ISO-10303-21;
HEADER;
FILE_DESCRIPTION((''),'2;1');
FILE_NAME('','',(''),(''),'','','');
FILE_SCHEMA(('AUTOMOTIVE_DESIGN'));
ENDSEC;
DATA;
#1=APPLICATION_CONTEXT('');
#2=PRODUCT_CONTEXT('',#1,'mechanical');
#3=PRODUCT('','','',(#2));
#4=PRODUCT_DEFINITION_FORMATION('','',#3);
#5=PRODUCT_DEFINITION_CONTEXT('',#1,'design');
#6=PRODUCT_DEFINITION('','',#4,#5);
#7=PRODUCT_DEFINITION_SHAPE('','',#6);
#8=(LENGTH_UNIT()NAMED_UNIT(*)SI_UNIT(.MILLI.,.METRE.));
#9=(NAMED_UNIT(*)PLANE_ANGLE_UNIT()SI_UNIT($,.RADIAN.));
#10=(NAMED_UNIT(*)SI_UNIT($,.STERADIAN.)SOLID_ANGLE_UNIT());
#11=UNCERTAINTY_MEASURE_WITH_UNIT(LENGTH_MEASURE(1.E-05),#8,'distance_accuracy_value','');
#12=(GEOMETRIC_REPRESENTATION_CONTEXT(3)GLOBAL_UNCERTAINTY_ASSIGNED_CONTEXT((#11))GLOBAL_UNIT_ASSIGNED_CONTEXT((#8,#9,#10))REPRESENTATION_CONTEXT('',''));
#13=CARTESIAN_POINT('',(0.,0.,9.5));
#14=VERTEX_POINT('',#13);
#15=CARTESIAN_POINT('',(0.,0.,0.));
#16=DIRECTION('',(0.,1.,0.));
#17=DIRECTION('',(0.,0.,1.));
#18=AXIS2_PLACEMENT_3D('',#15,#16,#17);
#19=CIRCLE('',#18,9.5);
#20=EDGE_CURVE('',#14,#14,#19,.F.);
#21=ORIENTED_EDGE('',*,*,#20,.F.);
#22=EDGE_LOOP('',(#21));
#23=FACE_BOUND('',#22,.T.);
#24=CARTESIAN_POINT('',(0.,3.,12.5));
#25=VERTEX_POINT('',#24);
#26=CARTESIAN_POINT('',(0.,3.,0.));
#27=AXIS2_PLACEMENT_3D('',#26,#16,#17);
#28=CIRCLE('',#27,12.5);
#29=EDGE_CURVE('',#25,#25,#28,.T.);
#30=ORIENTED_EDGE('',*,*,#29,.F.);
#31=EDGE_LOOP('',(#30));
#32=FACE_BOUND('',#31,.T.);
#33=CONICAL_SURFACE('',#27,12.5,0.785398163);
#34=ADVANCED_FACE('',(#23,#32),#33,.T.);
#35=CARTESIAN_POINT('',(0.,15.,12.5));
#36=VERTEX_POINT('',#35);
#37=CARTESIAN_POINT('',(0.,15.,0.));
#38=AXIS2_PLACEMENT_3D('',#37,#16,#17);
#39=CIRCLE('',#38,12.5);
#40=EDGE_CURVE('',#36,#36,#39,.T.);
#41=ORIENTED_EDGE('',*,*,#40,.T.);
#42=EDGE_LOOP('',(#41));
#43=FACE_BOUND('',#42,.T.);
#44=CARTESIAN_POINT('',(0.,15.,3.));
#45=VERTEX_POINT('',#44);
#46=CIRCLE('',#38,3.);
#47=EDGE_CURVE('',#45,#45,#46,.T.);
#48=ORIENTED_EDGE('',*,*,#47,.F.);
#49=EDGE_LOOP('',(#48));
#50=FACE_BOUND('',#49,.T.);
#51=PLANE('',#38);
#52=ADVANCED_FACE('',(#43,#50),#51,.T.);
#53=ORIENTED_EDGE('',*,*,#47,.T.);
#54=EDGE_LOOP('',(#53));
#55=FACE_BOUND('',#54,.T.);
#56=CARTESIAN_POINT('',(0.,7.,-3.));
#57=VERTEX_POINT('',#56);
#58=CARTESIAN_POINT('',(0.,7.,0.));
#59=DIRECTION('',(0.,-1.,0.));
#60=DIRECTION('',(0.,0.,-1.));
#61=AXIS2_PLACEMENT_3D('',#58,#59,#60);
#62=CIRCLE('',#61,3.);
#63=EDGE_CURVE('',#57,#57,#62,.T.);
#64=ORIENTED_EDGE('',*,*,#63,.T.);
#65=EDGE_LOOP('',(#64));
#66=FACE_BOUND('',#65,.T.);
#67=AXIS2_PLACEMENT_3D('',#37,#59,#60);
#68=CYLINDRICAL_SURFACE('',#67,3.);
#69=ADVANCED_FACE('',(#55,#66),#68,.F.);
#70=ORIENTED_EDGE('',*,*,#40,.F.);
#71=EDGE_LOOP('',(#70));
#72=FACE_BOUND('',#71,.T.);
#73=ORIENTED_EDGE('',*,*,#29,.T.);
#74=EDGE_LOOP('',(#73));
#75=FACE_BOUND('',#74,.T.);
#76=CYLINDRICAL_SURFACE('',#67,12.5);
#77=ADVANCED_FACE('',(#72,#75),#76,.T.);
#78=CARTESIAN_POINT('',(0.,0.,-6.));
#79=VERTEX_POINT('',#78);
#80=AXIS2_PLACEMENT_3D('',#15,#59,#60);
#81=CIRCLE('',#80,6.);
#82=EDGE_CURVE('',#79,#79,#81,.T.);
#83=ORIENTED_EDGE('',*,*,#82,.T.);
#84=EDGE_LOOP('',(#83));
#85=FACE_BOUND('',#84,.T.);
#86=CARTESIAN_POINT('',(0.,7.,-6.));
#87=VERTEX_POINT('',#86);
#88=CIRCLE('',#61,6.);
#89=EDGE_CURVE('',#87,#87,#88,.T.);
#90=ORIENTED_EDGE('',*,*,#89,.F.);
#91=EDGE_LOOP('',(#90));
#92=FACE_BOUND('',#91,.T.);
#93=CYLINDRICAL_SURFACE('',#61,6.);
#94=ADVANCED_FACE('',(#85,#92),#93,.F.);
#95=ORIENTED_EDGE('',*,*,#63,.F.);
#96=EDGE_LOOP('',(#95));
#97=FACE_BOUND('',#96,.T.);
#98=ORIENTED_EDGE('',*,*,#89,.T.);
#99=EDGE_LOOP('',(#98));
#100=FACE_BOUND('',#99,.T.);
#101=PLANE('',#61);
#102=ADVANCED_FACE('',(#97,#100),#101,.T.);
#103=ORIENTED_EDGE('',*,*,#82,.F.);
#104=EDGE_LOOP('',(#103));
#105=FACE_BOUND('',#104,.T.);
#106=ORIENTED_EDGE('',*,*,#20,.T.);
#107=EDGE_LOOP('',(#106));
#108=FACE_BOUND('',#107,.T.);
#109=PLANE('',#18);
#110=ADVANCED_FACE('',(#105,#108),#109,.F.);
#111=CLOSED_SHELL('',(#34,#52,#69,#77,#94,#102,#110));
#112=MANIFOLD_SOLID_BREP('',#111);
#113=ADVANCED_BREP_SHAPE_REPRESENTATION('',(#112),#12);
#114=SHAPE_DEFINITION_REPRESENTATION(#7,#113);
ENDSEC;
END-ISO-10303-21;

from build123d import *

# Parameters (mm, degrees)
SKETCH1_R           = 12.5
SKETCH1_R_2         = 3
BOSS_EXTRUDE1_DEPTH = 15
CHAMFER1_SIZE       = 3
SKETCH2_R           = 6
CUT_EXTRUDE1_DEPTH  = 7


with BuildPart() as part:
    # Sketch1 → Boss-Extrude1 (new body)
    with BuildSketch(Plane(origin=(0, 0, 0), x_dir=(1, 0, 0), z_dir=(0, 1, 0))):
        with Locations(Location((0, 0, 0), (0, 0, 270))):
            Circle(SKETCH1_R)
        with Locations(Location((0, 0, 0), (0, 0, 270))):
            Circle(SKETCH1_R_2, mode=Mode.SUBTRACT)
    extrude(amount=BOSS_EXTRUDE1_DEPTH)

    # Chamfer1
    chamfer1_edges = [part.edges().sort_by_distance(p)[0] for p in [
        (0, 0, -12.5),
    ]]
    chamfer(chamfer1_edges, length=CHAMFER1_SIZE)

    # Sketch2 → Cut-Extrude1 (cut)
    with BuildSketch(Plane.XZ):
        with Locations(Location((0, 0, 0), (0, 0, 270))):
            Circle(SKETCH2_R)
    extrude(amount=-CUT_EXTRUDE1_DEPTH, mode=Mode.SUBTRACT)


solid = part.part
